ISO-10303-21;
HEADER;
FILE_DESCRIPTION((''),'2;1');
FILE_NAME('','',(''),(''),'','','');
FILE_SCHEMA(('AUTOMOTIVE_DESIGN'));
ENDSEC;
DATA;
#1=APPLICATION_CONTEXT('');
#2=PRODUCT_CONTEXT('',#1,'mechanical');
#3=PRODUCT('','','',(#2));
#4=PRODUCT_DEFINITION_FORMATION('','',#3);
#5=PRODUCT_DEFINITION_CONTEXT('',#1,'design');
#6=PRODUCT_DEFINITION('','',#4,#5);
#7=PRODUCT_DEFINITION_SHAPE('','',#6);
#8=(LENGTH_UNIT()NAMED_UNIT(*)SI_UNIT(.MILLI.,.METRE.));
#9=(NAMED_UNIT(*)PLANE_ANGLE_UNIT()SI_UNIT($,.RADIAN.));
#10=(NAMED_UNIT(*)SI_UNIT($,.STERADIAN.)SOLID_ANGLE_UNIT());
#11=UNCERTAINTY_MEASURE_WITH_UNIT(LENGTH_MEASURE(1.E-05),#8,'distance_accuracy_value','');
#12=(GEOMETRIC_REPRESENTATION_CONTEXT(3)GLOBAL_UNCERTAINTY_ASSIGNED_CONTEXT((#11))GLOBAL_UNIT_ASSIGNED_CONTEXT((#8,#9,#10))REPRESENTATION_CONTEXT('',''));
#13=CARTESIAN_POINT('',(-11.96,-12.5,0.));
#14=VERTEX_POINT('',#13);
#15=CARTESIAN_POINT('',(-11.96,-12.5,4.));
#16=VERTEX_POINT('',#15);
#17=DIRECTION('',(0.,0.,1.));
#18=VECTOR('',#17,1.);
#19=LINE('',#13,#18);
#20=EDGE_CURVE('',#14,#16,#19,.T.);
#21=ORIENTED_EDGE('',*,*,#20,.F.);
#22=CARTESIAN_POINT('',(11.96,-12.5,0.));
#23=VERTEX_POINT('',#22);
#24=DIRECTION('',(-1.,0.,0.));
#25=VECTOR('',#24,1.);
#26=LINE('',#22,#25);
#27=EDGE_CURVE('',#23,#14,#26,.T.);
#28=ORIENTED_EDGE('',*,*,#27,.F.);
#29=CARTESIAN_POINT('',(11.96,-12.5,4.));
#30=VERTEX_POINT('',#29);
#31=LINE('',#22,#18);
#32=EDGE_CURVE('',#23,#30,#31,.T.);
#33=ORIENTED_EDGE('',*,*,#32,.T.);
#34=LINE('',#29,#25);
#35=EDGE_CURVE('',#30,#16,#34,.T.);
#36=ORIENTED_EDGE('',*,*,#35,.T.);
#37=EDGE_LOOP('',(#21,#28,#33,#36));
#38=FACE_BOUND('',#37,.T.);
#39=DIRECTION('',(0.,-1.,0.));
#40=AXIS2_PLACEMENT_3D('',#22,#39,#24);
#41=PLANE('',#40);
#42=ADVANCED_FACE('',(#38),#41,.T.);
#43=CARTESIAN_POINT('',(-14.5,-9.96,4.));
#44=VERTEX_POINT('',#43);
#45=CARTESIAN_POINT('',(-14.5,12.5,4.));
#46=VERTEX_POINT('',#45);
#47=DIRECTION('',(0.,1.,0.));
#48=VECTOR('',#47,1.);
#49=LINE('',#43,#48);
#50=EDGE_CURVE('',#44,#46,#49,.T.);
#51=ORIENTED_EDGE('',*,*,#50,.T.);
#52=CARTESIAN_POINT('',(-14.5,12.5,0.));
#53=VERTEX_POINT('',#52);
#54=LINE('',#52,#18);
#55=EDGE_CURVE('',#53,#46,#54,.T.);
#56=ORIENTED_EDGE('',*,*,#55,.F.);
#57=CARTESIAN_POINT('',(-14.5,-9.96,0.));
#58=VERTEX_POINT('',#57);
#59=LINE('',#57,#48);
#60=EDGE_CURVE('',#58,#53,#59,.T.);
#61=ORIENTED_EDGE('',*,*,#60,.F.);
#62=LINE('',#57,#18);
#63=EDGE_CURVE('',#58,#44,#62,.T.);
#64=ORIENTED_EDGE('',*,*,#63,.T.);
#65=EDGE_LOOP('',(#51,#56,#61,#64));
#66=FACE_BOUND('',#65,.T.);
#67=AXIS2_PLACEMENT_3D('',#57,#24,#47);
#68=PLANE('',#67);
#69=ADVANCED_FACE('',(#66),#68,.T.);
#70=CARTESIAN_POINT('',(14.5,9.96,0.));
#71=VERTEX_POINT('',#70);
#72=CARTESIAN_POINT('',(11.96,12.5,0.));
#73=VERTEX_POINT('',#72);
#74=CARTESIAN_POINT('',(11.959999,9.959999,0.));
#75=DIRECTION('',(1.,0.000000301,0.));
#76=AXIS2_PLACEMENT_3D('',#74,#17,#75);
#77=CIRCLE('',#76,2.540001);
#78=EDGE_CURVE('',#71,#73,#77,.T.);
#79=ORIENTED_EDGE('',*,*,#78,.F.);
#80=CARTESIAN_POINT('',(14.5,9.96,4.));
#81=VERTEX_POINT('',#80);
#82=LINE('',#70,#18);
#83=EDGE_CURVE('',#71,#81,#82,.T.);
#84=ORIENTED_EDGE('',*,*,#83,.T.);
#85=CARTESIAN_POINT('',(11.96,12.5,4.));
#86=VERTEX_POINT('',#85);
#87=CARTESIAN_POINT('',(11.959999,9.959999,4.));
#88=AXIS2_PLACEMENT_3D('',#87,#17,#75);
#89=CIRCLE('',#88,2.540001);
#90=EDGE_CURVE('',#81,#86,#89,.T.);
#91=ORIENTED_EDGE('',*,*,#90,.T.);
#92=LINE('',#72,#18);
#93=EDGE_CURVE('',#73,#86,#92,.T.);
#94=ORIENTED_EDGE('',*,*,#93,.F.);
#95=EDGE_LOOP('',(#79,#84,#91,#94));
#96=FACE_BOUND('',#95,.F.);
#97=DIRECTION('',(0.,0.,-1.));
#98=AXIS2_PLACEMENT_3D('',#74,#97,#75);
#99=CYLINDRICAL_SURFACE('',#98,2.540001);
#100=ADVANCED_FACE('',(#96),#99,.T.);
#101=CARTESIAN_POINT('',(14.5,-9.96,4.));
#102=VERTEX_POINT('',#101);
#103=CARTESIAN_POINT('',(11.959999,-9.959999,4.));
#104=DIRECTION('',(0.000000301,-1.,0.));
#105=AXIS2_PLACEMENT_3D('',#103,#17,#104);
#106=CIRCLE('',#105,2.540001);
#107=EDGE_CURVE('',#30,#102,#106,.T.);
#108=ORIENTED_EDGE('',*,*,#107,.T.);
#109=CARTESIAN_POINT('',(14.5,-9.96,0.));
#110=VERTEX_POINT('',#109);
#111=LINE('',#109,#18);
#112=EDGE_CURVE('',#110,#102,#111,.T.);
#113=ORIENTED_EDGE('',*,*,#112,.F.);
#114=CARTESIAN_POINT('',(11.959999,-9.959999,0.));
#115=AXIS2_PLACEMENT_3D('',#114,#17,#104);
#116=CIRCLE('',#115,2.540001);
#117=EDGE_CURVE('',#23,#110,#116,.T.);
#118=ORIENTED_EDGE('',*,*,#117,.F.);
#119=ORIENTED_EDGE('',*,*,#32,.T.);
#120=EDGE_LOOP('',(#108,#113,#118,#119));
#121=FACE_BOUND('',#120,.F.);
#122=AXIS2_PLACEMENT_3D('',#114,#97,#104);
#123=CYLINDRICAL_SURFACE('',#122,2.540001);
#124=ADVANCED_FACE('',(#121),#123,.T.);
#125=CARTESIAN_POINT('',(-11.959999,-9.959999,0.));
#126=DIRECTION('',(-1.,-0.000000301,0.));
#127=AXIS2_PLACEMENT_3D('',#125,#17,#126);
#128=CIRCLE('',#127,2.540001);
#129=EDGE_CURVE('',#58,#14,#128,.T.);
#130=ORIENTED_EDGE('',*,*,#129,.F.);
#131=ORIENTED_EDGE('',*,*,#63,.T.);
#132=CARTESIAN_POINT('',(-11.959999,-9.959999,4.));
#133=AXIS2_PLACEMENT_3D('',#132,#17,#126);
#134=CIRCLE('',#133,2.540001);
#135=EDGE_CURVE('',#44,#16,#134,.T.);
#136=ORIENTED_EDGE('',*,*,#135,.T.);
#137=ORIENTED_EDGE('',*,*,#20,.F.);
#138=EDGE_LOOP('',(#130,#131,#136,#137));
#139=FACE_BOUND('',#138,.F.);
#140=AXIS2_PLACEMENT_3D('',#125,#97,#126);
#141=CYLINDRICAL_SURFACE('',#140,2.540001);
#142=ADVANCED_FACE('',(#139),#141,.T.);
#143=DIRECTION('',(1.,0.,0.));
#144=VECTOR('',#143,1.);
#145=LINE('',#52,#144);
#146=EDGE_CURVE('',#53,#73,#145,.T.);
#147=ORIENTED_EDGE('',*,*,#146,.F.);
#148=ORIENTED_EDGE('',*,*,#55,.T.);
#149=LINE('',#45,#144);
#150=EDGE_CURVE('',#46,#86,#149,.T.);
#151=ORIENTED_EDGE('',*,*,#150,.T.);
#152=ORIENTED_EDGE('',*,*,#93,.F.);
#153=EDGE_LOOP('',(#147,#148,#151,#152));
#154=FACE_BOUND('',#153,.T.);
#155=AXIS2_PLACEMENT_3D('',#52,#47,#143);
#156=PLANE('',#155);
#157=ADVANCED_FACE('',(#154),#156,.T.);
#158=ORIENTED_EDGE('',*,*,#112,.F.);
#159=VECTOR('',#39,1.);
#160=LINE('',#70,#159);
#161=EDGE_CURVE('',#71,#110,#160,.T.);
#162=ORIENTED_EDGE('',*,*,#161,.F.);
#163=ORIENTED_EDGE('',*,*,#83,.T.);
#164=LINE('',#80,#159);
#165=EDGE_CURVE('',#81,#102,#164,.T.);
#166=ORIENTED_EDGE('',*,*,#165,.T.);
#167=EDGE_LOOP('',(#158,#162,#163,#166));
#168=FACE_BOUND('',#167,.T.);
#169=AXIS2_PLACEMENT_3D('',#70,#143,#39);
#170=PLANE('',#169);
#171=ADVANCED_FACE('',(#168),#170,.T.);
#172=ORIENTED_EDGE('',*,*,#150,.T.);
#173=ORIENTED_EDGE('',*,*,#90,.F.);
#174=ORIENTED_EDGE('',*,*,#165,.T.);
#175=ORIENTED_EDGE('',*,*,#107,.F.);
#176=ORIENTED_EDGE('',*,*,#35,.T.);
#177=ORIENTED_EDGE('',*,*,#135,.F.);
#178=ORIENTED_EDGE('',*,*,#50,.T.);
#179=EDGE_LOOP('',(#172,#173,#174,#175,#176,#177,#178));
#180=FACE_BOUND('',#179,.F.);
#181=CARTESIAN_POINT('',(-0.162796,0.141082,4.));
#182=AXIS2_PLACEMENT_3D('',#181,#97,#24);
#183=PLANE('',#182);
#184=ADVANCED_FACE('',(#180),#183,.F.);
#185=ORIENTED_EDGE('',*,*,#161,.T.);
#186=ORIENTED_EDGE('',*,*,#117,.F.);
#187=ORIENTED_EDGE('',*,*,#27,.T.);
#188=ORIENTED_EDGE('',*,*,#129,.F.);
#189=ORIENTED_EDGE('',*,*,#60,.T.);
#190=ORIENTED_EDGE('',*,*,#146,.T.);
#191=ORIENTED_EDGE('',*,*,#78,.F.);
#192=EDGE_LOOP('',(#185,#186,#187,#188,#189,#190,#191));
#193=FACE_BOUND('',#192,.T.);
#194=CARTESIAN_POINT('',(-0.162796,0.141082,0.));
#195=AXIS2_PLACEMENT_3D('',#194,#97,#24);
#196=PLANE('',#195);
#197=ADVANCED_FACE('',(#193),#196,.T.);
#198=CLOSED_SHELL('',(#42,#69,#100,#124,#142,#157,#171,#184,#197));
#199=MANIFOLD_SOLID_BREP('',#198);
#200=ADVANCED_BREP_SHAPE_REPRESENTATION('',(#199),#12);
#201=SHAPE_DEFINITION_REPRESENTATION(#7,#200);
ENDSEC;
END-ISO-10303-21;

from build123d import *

# Parameters (mm, degrees)
PAD_DEPTH = 4


with BuildPart() as part:
    # Sketch → Pad (new body)
    with BuildSketch(Plane.XY):
        with BuildLine():
            Line((-14.5, 12.5), (11.96, 12.5))
            ThreePointArc((14.5, 9.96), (13.756051, 11.756051), (11.96, 12.5))
            Line((14.5, 9.96), (14.5, -9.96))
            ThreePointArc((11.96, -12.5), (13.756051, -11.756051), (14.5, -9.96))
            Line((11.96, -12.5), (-11.96, -12.5))
            ThreePointArc((-14.5, -9.96), (-13.756051, -11.756051), (-11.96, -12.5))
            Line((-14.5, -9.96), (-14.5, 12.5))
        make_face()
    extrude(amount=PAD_DEPTH)


solid = part.part
